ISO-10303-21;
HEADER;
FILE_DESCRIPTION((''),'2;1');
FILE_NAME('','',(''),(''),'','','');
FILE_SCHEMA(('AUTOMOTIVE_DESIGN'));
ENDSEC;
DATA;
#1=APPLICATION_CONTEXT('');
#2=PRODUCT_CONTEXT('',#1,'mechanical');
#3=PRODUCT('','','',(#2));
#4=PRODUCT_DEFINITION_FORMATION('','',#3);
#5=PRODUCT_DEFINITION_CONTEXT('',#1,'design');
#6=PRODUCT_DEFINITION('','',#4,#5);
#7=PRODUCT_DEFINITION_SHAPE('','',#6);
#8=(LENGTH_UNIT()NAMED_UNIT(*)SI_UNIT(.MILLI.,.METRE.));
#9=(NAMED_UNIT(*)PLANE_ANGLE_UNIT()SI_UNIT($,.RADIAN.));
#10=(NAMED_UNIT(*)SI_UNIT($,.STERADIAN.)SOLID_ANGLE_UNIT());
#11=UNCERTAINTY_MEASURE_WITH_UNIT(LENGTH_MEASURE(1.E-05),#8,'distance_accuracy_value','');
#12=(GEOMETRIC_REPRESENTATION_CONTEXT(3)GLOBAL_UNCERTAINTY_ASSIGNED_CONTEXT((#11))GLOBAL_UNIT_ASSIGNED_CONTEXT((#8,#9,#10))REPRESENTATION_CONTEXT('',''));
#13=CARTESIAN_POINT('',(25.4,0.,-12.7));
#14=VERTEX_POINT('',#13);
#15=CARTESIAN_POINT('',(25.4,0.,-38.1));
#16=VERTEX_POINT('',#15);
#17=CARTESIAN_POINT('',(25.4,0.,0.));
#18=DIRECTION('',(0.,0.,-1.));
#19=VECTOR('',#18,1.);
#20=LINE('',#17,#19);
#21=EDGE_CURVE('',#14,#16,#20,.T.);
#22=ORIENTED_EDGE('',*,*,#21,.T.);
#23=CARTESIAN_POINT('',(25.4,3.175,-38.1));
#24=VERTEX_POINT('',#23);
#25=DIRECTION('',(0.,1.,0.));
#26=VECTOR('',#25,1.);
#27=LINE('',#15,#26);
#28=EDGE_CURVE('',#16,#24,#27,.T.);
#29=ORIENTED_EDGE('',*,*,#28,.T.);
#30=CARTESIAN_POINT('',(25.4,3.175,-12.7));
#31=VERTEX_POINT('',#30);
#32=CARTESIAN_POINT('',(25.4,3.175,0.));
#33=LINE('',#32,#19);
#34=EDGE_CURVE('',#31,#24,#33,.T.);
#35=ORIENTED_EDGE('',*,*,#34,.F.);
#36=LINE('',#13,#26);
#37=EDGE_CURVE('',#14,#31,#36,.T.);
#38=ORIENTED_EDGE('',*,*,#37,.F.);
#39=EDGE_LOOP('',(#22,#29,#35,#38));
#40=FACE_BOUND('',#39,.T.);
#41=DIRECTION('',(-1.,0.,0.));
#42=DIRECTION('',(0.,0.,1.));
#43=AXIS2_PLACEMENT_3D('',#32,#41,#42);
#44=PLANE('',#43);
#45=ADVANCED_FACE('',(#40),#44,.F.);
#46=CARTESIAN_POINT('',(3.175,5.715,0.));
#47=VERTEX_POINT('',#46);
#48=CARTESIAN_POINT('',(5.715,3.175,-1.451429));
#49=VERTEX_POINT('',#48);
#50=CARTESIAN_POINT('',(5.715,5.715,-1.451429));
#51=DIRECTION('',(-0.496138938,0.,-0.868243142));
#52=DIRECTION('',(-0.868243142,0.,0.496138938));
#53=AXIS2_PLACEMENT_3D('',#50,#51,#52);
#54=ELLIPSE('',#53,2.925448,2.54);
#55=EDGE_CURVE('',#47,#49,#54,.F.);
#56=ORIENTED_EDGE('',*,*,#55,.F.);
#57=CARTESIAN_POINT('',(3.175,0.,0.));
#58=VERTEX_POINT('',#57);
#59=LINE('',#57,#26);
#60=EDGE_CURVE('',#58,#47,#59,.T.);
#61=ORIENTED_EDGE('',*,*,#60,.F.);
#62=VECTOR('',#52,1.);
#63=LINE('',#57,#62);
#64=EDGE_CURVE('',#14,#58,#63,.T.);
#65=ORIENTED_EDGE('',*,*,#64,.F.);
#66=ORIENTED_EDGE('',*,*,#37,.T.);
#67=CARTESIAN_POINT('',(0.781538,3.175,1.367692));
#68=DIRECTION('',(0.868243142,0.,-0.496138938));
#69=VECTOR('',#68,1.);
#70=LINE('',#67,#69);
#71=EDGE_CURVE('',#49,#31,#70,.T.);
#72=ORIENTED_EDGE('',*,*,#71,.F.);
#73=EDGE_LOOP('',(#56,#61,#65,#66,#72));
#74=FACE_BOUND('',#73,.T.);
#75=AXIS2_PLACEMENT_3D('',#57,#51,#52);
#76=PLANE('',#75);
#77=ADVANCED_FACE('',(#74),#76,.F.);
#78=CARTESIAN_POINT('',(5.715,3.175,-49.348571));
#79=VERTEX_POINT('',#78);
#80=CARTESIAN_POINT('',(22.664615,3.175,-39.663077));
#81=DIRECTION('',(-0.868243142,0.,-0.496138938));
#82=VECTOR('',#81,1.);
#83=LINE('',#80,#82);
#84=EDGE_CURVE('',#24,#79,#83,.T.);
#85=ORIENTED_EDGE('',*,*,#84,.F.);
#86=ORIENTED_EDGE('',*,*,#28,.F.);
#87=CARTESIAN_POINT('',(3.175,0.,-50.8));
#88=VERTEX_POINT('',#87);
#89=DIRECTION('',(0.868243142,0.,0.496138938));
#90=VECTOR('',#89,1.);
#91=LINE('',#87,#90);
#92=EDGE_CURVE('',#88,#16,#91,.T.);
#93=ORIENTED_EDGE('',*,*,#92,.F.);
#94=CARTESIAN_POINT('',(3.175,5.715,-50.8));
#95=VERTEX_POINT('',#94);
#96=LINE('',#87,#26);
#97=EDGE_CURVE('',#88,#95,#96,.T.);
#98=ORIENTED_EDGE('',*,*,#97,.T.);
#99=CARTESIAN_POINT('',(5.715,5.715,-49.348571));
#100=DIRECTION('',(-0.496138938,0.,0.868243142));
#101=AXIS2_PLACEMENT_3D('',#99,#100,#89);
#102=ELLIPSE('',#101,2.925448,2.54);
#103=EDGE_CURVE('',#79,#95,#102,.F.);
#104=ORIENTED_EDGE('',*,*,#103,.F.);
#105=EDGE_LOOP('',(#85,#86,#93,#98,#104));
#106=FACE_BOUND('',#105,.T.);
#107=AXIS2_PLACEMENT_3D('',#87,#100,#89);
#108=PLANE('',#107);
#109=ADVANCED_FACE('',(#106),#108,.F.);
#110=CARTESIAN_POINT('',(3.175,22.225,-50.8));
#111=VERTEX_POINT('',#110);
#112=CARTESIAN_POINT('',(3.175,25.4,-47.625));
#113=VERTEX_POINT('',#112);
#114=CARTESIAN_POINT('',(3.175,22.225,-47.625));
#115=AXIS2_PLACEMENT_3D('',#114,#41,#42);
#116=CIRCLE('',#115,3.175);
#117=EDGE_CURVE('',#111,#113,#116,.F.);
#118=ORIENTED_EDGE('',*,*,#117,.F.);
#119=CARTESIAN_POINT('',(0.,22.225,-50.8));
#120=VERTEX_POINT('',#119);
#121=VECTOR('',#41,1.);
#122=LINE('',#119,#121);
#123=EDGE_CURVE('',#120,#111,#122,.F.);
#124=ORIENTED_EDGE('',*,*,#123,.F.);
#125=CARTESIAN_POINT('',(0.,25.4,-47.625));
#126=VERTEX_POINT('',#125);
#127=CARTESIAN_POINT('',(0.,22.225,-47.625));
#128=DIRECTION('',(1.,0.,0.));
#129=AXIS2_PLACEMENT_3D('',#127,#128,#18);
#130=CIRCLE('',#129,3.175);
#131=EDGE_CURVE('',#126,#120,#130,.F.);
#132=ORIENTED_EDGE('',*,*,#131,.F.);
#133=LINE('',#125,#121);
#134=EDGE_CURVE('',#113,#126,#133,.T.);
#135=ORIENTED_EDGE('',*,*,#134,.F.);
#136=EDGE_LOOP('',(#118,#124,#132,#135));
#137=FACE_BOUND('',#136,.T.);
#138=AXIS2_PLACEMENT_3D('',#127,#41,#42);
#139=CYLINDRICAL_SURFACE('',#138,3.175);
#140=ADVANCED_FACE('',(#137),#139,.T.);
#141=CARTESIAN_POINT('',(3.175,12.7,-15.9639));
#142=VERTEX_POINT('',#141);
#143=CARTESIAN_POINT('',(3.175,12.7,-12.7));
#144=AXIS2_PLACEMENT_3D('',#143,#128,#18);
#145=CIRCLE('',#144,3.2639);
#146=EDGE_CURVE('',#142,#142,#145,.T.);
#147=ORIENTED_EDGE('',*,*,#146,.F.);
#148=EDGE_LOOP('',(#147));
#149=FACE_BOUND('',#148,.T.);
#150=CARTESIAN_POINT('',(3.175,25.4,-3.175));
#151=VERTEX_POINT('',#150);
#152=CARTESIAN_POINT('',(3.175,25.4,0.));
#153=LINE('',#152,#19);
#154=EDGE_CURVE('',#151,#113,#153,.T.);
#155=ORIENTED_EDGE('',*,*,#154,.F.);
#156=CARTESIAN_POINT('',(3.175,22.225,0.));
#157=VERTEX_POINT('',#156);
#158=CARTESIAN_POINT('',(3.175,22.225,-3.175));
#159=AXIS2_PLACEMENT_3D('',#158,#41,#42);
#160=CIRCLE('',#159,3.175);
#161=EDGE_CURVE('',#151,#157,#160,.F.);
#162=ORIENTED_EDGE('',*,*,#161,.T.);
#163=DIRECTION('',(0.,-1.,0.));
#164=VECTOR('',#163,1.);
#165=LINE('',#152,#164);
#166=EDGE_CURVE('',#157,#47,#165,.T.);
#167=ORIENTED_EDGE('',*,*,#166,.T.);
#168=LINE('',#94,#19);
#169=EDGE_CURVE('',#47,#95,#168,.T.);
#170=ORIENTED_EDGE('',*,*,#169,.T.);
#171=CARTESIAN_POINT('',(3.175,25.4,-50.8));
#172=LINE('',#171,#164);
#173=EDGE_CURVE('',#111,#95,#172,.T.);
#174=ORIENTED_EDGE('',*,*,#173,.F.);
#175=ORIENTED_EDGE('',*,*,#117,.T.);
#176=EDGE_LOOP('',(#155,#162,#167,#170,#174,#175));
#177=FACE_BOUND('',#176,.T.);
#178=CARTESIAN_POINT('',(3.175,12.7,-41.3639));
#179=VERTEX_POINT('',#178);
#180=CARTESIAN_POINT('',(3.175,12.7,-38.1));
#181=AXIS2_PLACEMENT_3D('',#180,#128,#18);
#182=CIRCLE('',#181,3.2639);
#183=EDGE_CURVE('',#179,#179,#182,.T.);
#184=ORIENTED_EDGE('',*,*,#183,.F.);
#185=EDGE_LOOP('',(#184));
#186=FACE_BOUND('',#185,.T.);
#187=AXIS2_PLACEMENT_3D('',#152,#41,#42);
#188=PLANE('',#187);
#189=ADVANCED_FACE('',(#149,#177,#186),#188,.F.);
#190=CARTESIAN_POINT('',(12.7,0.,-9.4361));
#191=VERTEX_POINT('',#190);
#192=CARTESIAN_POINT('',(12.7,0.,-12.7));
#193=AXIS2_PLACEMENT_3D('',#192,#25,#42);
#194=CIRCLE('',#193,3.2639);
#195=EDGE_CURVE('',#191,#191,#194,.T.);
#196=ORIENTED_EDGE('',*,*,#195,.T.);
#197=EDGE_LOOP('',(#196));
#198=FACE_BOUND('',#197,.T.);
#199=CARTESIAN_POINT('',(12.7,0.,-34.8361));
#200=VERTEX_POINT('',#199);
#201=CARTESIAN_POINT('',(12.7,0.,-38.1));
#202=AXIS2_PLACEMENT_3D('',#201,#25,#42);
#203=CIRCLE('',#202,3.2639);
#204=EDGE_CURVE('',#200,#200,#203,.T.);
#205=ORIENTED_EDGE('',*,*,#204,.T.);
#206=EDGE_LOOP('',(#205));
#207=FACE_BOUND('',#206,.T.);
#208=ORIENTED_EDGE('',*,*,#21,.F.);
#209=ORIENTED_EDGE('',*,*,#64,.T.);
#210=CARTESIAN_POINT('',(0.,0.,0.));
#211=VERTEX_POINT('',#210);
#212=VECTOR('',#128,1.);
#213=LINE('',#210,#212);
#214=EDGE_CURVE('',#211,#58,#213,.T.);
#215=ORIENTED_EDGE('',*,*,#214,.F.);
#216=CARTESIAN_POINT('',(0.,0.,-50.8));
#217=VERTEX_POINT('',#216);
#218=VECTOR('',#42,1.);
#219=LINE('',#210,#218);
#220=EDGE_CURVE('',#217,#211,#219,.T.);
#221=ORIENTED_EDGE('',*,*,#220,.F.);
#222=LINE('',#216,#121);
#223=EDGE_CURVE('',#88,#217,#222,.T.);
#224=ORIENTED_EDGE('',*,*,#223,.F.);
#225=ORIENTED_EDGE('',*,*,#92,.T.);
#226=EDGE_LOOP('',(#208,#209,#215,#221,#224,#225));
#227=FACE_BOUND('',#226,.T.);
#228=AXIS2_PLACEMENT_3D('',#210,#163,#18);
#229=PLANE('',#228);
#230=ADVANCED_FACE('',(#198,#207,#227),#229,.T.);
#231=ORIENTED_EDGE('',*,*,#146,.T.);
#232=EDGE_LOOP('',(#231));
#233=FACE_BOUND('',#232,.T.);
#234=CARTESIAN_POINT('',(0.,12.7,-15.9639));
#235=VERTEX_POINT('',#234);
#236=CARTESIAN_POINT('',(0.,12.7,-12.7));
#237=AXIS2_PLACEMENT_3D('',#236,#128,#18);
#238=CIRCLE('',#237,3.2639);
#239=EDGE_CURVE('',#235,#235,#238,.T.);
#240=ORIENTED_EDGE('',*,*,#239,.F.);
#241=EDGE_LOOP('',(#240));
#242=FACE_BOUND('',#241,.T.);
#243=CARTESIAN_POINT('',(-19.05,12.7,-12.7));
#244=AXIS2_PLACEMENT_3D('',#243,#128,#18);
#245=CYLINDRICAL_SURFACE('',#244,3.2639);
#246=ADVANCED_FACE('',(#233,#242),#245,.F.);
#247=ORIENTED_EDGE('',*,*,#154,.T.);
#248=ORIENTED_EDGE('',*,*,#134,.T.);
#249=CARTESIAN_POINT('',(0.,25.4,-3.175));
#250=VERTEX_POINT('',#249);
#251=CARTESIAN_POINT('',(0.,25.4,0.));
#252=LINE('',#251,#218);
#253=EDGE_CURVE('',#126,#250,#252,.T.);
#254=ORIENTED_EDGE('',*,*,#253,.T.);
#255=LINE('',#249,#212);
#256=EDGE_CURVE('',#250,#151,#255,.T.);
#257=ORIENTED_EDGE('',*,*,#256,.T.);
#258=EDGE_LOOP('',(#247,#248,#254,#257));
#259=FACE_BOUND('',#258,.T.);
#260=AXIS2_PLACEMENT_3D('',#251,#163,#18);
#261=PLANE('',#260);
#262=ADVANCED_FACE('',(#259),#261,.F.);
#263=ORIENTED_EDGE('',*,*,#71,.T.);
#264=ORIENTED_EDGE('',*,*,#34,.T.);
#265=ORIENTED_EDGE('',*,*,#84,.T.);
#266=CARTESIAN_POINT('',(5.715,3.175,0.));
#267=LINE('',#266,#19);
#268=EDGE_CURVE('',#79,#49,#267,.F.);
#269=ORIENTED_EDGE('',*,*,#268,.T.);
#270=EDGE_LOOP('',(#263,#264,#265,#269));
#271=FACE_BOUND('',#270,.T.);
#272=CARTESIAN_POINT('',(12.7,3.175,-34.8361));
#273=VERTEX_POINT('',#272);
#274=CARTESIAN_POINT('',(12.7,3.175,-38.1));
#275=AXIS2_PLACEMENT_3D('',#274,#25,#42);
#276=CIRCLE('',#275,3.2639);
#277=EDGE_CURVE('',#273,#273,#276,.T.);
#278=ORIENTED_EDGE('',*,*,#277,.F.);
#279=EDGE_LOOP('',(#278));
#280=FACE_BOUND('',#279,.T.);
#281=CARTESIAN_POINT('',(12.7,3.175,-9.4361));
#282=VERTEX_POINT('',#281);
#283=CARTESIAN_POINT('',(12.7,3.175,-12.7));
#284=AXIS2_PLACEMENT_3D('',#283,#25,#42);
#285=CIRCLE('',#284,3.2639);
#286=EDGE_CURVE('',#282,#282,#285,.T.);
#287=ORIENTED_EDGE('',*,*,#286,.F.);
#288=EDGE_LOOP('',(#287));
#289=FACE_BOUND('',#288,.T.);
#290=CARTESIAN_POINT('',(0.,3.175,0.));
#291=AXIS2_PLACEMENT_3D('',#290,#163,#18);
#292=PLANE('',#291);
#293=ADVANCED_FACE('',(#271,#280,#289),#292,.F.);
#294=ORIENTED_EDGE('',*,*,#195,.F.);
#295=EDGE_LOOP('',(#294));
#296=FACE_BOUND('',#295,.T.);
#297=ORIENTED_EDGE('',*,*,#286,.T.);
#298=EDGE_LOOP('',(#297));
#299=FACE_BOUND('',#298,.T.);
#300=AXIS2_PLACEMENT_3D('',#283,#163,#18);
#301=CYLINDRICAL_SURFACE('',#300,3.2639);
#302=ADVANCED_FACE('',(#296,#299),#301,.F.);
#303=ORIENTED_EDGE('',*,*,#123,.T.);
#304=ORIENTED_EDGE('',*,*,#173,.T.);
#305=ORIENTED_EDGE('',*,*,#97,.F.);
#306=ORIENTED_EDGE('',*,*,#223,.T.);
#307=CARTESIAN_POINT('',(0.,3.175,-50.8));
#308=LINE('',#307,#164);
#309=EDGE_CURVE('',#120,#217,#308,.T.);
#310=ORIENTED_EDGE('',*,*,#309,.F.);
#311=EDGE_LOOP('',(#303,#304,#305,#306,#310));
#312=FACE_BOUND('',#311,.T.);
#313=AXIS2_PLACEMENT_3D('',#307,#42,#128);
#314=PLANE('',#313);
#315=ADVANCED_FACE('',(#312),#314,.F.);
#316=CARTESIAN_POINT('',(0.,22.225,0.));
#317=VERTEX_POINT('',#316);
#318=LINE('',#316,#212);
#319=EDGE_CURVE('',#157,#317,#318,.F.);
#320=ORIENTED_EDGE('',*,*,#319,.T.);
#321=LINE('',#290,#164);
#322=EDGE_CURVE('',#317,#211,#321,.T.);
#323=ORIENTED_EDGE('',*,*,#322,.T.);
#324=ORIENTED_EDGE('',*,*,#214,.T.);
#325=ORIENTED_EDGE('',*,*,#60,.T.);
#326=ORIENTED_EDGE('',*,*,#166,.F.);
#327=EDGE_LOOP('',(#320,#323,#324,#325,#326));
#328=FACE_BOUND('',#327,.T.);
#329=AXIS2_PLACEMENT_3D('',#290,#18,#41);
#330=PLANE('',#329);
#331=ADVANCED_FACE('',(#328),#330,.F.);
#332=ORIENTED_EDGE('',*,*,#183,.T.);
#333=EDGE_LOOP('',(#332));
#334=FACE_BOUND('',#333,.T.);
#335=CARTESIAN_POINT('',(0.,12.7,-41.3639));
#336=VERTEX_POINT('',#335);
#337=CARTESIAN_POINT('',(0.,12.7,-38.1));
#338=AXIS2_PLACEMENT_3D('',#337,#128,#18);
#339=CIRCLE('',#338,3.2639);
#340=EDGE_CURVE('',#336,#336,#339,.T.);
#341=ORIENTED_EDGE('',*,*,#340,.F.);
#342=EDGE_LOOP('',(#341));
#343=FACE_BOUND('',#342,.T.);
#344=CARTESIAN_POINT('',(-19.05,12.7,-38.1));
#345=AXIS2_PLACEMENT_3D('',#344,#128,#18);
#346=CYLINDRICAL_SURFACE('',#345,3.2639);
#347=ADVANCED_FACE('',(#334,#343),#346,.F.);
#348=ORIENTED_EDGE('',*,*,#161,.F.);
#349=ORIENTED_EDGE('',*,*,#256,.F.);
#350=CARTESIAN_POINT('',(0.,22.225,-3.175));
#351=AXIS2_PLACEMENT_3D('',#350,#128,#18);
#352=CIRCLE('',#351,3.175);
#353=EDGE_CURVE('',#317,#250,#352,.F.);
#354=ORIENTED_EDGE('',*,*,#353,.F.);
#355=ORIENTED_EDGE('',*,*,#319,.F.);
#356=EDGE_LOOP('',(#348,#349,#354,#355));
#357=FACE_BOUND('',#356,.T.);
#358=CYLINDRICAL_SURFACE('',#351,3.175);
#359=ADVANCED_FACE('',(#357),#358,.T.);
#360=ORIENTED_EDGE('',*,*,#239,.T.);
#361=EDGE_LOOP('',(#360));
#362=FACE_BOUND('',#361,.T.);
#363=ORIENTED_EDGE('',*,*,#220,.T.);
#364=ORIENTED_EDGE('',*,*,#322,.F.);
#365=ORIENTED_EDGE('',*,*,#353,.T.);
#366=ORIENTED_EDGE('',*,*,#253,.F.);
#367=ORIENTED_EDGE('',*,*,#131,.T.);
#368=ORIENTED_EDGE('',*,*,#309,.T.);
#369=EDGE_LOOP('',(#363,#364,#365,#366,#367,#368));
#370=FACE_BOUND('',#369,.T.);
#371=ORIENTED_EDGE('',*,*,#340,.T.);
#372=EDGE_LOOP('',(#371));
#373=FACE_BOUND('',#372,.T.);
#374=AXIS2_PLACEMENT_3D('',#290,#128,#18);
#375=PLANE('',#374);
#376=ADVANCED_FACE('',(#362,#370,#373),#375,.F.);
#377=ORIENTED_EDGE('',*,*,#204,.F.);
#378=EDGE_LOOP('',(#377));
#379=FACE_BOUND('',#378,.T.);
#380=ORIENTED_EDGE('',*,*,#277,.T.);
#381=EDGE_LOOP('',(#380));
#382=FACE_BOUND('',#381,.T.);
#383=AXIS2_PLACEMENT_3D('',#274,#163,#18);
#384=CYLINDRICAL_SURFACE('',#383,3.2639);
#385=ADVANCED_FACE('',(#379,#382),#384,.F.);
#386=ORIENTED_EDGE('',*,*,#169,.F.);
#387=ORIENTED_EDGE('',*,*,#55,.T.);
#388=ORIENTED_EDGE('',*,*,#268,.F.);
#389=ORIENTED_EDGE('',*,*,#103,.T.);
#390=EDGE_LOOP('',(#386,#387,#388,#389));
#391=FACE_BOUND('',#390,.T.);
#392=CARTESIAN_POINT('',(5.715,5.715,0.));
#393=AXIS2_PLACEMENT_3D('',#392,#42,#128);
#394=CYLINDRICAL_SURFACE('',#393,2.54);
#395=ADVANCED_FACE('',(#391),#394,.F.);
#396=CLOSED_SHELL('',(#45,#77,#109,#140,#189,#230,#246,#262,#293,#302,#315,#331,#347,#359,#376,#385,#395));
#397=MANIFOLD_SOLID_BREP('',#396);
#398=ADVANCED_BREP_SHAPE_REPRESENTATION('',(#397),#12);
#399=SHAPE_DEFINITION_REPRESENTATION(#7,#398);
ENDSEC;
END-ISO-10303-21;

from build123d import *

# Parameters (mm, degrees)
SKETCH1_W               = 25.4
SKETCH1_H               = 50.8
SKETCH1_R               = 3.2639
BOSS_EXTRUDE1_DEPTH     = 3.175
SKETCH2_W               = 3.175
SKETCH2_H               = 50.8
BOSS_EXTRUDE2_DEPTH     = 22.225
SKETCH3_R               = 3.2639
CUT_EXTRUDE1_DEPTH      = 22.225
FILLET2_R               = 2.54
CUT_EXTRUDE3_DEPTH      = 23.225
CUT_EXTRUDE3_DEPTH_BACK = 4.175
FILLET3_R               = 3.175
FILLET4_R               = 3.175


with BuildPart() as part:
    # Sketch1 → Boss-Extrude1 (new body)
    with BuildSketch(Plane(origin=(0, 0, 0), x_dir=(1, 0, 0), z_dir=(0, 1, 0))):
        with Locations((12.7, 25.4)):
            Rectangle(SKETCH1_W, SKETCH1_H)
        with Locations((12.7, 38.1)):
            Circle(SKETCH1_R, mode=Mode.SUBTRACT)
        with Locations((12.7, 12.7)):
            Circle(SKETCH1_R, mode=Mode.SUBTRACT)
    extrude(amount=BOSS_EXTRUDE1_DEPTH)

    # Sketch2 → Boss-Extrude2 (add)
    with BuildSketch(Plane(origin=(0, 3.175, 0), x_dir=(1, 0, 0), z_dir=(0, 1, 0))):
        with Locations((1.5875, 25.4)):
            Rectangle(SKETCH2_W, SKETCH2_H)
    extrude(amount=BOSS_EXTRUDE2_DEPTH)

    # Sketch3 → Cut-Extrude1 (cut)
    with BuildSketch(Plane(origin=(3.175, 0, 0), x_dir=(0, 0, -1), z_dir=(1, 0, 0))):
        with Locations((12.7, 12.7)):
            Circle(SKETCH3_R)
        with Locations((38.1, 12.7)):
            Circle(SKETCH3_R)
    extrude(amount=-CUT_EXTRUDE1_DEPTH, mode=Mode.SUBTRACT)

    # Fillet2
    fillet2_edges = [part.edges().sort_by_distance(p)[0] for p in [
        (3.175, 3.175, -25.4),
    ]]
    fillet(fillet2_edges, radius=FILLET2_R)

    # Sketch4 → Cut-Extrude3 (cut, two sides)
    with BuildSketch(Plane(origin=(0, 3.175, 0), x_dir=(1, 0, 0), z_dir=(0, 1, 0))) as cut_extrude3_sk:
        Polygon((25.4, 0), (25.4, 12.7), (3.175, 0), align=None)
        Polygon((25.4, 50.8), (25.4, 38.1), (3.175, 50.8), align=None)
    extrude(amount=CUT_EXTRUDE3_DEPTH, mode=Mode.SUBTRACT)
    extrude(cut_extrude3_sk.sketch, amount=-CUT_EXTRUDE3_DEPTH_BACK, mode=Mode.SUBTRACT)

    # Fillet3
    fillet3_edges = [part.edges().sort_by_distance(p)[0] for p in [
        (1.5875, 25.4, 0),
    ]]
    fillet(fillet3_edges, radius=FILLET3_R)

    # Fillet4
    fillet4_edges = [part.edges().sort_by_distance(p)[0] for p in [
        (1.5875, 25.4, -50.8),
    ]]
    fillet(fillet4_edges, radius=FILLET4_R)


solid = part.part
